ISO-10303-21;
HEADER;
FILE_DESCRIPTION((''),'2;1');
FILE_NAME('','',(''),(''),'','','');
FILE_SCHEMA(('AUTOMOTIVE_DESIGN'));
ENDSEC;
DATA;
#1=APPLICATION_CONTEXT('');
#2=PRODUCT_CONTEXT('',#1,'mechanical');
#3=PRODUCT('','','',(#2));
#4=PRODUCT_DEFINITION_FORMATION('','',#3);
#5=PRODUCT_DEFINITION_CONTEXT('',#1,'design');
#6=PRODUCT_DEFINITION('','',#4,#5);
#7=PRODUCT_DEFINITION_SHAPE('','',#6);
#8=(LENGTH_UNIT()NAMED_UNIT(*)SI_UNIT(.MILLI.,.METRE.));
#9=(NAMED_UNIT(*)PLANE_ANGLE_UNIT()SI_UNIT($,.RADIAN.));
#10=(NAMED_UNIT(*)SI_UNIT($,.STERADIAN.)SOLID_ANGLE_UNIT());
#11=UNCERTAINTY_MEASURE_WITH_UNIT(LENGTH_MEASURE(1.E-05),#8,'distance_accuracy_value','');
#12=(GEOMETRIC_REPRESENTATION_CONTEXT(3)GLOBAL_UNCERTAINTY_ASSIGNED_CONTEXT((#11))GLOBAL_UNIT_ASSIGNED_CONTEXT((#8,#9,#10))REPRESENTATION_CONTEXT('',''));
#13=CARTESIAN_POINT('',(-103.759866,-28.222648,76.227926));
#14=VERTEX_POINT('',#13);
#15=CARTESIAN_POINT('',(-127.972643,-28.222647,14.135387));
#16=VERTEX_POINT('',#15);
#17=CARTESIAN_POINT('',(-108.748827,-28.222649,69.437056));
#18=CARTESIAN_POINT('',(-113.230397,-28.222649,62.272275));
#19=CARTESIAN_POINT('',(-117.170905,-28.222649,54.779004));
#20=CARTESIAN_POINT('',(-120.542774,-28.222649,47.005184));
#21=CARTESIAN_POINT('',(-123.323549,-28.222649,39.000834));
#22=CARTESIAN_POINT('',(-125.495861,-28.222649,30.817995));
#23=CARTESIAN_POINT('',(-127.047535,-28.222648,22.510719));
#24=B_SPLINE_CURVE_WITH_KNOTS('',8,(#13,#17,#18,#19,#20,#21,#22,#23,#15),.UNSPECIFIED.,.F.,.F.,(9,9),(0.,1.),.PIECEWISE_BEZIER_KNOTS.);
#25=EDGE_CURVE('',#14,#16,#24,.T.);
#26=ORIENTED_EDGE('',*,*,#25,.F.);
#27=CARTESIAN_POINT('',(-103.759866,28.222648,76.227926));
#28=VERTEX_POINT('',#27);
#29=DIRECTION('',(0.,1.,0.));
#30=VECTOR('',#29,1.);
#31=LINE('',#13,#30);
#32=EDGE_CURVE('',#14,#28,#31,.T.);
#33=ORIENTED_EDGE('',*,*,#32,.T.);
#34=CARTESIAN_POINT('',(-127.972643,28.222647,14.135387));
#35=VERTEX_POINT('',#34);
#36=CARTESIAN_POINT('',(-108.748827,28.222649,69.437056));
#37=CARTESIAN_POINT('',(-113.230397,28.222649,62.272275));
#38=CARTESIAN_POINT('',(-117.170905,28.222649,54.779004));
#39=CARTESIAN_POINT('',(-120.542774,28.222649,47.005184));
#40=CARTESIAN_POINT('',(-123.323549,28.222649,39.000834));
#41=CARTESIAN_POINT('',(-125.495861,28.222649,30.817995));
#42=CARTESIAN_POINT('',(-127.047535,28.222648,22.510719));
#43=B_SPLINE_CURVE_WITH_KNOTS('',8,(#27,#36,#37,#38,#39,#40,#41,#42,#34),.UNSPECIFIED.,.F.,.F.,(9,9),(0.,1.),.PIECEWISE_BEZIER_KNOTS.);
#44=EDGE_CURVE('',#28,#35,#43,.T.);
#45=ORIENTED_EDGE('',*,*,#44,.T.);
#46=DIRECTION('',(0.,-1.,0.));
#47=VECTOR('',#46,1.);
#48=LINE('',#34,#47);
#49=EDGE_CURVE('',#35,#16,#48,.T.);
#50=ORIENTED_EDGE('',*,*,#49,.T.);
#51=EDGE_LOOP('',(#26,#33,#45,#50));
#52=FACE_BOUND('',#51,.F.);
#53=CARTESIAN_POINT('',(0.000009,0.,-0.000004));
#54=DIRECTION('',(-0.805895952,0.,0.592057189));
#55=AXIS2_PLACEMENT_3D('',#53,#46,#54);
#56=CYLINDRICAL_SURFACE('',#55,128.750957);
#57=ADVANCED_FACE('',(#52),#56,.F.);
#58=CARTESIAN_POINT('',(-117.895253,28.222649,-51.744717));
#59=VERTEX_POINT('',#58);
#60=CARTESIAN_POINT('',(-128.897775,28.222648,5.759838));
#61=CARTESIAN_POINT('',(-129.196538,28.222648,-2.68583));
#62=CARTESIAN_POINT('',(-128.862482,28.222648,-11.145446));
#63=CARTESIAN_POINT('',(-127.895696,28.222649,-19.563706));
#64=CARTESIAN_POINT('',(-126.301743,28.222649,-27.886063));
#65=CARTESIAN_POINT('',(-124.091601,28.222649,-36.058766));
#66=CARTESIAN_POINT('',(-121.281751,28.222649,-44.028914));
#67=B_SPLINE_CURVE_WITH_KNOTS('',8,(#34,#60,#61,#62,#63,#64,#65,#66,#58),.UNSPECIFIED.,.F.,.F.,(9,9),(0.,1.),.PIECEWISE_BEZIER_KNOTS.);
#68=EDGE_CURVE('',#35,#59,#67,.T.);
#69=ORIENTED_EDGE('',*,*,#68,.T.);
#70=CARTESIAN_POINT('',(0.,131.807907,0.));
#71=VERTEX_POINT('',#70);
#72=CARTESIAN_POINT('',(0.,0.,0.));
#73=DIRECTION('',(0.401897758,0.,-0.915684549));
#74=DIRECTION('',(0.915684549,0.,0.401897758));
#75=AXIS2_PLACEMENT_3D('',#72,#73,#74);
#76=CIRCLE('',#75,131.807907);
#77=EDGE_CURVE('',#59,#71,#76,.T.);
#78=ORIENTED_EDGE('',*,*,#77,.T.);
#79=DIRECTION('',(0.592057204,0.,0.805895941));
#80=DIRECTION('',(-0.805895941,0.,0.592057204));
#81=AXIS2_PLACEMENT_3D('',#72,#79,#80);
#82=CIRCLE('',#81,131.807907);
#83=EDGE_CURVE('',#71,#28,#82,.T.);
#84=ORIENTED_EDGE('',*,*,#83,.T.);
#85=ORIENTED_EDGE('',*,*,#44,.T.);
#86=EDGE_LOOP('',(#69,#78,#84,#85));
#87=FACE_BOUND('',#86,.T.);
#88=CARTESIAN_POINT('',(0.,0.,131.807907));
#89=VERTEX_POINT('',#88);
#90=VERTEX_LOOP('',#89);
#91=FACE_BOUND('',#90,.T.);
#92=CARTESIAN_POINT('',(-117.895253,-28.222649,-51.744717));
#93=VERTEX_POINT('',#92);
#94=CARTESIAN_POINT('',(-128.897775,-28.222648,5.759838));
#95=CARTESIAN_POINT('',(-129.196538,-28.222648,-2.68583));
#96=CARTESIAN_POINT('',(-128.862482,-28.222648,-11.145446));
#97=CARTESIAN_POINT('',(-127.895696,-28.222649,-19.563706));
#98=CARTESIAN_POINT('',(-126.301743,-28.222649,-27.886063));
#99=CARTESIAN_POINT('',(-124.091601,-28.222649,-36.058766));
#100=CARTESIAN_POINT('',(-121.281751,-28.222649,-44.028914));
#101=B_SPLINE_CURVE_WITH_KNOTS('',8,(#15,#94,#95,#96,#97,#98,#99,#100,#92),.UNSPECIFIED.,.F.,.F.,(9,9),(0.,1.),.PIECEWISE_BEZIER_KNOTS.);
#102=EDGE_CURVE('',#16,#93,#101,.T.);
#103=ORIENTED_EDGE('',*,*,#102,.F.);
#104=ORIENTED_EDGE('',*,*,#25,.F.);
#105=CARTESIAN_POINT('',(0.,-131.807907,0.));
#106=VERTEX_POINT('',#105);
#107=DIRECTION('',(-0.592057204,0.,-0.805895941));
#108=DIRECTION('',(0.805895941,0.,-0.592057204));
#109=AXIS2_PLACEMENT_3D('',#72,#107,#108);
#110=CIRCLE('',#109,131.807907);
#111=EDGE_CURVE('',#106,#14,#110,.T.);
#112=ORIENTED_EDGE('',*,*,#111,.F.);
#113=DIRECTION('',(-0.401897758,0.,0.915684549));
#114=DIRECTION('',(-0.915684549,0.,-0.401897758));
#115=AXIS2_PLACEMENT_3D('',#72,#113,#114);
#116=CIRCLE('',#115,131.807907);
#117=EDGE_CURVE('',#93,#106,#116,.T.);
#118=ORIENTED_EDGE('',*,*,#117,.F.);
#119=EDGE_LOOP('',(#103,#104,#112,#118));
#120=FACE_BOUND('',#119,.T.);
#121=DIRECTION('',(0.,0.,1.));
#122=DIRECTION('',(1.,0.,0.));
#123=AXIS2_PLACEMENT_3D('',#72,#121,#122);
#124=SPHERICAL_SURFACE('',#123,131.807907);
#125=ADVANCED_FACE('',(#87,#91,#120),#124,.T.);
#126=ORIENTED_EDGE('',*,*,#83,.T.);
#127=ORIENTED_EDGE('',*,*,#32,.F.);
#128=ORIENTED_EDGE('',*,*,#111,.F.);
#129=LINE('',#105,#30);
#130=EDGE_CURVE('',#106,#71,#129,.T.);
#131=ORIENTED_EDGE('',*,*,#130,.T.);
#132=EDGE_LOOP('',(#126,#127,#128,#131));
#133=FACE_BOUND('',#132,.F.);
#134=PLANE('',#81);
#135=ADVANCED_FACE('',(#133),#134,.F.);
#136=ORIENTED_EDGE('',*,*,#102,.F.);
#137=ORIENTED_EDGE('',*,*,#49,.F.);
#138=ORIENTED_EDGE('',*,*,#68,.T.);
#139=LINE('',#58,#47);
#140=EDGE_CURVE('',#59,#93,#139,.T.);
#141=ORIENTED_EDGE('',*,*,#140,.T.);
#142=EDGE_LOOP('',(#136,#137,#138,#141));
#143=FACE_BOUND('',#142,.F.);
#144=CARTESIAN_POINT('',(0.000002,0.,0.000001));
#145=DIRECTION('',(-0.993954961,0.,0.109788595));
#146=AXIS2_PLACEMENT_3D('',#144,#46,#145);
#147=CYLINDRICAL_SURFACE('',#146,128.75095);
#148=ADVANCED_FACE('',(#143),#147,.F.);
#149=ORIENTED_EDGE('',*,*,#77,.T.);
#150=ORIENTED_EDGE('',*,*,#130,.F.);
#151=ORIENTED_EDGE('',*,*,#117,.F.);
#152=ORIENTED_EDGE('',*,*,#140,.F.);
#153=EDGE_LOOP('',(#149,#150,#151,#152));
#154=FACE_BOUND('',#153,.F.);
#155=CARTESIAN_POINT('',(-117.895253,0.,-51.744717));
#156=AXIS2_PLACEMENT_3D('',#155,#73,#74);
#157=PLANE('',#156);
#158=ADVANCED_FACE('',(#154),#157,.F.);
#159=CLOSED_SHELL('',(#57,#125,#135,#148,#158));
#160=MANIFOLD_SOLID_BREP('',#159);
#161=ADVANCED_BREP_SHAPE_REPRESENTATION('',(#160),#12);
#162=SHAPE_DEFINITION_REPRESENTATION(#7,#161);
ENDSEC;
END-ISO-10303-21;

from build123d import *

# Parameters (mm, degrees)
F3_DEPTH = 233.68
F4_DEPTH = 241.3


with BuildPart() as f1:
    # F0 (on Front) → F1 (revolve)
    with BuildSketch(Plane.XZ):
        with BuildLine():
            Line((0, 131.807907), (0, -131.807907))
            ThreePointArc((0, -131.807907), (131.807907, 0), (0, 131.807907))
        make_face()
    revolve(axis=Axis((0, 0, 0), (0, 0, 1)))

    # F2 (on Front) → F3 (cut)
    with BuildSketch(Plane.XZ):
        with BuildLine():
            Line((-127.972643, 14.135387), (0, 0))
            Line((0, 0), (-103.759866, 76.227926))
            ThreePointArc((-103.759866, 76.227926), (-119.953573, 46.775493), (-127.972643, 14.135387))
        make_face()
        with BuildLine():
            Line((-117.895253, -51.744717), (0, 0))
            Line((0, 0), (-127.972643, 14.135387))
            ThreePointArc((-127.972643, 14.135387), (-127.270588, -19.468022), (-117.895253, -51.744717))
        make_face()
    extrude(amount=-F3_DEPTH, mode=Mode.SUBTRACT)

    # F2 (on Front) → F4 (cut)
    with BuildSketch(Plane.XZ):
        with BuildLine():
            Line((-127.972643, 14.135387), (0, 0))
            Line((0, 0), (-103.759866, 76.227926))
            ThreePointArc((-103.759866, 76.227926), (-119.953573, 46.775493), (-127.972643, 14.135387))
        make_face()
        with BuildLine():
            Line((-117.895253, -51.744717), (0, 0))
            Line((0, 0), (-127.972643, 14.135387))
            ThreePointArc((-127.972643, 14.135387), (-127.270588, -19.468022), (-117.895253, -51.744717))
        make_face()
    extrude(amount=F4_DEPTH, mode=Mode.SUBTRACT)


solid = f1.part
